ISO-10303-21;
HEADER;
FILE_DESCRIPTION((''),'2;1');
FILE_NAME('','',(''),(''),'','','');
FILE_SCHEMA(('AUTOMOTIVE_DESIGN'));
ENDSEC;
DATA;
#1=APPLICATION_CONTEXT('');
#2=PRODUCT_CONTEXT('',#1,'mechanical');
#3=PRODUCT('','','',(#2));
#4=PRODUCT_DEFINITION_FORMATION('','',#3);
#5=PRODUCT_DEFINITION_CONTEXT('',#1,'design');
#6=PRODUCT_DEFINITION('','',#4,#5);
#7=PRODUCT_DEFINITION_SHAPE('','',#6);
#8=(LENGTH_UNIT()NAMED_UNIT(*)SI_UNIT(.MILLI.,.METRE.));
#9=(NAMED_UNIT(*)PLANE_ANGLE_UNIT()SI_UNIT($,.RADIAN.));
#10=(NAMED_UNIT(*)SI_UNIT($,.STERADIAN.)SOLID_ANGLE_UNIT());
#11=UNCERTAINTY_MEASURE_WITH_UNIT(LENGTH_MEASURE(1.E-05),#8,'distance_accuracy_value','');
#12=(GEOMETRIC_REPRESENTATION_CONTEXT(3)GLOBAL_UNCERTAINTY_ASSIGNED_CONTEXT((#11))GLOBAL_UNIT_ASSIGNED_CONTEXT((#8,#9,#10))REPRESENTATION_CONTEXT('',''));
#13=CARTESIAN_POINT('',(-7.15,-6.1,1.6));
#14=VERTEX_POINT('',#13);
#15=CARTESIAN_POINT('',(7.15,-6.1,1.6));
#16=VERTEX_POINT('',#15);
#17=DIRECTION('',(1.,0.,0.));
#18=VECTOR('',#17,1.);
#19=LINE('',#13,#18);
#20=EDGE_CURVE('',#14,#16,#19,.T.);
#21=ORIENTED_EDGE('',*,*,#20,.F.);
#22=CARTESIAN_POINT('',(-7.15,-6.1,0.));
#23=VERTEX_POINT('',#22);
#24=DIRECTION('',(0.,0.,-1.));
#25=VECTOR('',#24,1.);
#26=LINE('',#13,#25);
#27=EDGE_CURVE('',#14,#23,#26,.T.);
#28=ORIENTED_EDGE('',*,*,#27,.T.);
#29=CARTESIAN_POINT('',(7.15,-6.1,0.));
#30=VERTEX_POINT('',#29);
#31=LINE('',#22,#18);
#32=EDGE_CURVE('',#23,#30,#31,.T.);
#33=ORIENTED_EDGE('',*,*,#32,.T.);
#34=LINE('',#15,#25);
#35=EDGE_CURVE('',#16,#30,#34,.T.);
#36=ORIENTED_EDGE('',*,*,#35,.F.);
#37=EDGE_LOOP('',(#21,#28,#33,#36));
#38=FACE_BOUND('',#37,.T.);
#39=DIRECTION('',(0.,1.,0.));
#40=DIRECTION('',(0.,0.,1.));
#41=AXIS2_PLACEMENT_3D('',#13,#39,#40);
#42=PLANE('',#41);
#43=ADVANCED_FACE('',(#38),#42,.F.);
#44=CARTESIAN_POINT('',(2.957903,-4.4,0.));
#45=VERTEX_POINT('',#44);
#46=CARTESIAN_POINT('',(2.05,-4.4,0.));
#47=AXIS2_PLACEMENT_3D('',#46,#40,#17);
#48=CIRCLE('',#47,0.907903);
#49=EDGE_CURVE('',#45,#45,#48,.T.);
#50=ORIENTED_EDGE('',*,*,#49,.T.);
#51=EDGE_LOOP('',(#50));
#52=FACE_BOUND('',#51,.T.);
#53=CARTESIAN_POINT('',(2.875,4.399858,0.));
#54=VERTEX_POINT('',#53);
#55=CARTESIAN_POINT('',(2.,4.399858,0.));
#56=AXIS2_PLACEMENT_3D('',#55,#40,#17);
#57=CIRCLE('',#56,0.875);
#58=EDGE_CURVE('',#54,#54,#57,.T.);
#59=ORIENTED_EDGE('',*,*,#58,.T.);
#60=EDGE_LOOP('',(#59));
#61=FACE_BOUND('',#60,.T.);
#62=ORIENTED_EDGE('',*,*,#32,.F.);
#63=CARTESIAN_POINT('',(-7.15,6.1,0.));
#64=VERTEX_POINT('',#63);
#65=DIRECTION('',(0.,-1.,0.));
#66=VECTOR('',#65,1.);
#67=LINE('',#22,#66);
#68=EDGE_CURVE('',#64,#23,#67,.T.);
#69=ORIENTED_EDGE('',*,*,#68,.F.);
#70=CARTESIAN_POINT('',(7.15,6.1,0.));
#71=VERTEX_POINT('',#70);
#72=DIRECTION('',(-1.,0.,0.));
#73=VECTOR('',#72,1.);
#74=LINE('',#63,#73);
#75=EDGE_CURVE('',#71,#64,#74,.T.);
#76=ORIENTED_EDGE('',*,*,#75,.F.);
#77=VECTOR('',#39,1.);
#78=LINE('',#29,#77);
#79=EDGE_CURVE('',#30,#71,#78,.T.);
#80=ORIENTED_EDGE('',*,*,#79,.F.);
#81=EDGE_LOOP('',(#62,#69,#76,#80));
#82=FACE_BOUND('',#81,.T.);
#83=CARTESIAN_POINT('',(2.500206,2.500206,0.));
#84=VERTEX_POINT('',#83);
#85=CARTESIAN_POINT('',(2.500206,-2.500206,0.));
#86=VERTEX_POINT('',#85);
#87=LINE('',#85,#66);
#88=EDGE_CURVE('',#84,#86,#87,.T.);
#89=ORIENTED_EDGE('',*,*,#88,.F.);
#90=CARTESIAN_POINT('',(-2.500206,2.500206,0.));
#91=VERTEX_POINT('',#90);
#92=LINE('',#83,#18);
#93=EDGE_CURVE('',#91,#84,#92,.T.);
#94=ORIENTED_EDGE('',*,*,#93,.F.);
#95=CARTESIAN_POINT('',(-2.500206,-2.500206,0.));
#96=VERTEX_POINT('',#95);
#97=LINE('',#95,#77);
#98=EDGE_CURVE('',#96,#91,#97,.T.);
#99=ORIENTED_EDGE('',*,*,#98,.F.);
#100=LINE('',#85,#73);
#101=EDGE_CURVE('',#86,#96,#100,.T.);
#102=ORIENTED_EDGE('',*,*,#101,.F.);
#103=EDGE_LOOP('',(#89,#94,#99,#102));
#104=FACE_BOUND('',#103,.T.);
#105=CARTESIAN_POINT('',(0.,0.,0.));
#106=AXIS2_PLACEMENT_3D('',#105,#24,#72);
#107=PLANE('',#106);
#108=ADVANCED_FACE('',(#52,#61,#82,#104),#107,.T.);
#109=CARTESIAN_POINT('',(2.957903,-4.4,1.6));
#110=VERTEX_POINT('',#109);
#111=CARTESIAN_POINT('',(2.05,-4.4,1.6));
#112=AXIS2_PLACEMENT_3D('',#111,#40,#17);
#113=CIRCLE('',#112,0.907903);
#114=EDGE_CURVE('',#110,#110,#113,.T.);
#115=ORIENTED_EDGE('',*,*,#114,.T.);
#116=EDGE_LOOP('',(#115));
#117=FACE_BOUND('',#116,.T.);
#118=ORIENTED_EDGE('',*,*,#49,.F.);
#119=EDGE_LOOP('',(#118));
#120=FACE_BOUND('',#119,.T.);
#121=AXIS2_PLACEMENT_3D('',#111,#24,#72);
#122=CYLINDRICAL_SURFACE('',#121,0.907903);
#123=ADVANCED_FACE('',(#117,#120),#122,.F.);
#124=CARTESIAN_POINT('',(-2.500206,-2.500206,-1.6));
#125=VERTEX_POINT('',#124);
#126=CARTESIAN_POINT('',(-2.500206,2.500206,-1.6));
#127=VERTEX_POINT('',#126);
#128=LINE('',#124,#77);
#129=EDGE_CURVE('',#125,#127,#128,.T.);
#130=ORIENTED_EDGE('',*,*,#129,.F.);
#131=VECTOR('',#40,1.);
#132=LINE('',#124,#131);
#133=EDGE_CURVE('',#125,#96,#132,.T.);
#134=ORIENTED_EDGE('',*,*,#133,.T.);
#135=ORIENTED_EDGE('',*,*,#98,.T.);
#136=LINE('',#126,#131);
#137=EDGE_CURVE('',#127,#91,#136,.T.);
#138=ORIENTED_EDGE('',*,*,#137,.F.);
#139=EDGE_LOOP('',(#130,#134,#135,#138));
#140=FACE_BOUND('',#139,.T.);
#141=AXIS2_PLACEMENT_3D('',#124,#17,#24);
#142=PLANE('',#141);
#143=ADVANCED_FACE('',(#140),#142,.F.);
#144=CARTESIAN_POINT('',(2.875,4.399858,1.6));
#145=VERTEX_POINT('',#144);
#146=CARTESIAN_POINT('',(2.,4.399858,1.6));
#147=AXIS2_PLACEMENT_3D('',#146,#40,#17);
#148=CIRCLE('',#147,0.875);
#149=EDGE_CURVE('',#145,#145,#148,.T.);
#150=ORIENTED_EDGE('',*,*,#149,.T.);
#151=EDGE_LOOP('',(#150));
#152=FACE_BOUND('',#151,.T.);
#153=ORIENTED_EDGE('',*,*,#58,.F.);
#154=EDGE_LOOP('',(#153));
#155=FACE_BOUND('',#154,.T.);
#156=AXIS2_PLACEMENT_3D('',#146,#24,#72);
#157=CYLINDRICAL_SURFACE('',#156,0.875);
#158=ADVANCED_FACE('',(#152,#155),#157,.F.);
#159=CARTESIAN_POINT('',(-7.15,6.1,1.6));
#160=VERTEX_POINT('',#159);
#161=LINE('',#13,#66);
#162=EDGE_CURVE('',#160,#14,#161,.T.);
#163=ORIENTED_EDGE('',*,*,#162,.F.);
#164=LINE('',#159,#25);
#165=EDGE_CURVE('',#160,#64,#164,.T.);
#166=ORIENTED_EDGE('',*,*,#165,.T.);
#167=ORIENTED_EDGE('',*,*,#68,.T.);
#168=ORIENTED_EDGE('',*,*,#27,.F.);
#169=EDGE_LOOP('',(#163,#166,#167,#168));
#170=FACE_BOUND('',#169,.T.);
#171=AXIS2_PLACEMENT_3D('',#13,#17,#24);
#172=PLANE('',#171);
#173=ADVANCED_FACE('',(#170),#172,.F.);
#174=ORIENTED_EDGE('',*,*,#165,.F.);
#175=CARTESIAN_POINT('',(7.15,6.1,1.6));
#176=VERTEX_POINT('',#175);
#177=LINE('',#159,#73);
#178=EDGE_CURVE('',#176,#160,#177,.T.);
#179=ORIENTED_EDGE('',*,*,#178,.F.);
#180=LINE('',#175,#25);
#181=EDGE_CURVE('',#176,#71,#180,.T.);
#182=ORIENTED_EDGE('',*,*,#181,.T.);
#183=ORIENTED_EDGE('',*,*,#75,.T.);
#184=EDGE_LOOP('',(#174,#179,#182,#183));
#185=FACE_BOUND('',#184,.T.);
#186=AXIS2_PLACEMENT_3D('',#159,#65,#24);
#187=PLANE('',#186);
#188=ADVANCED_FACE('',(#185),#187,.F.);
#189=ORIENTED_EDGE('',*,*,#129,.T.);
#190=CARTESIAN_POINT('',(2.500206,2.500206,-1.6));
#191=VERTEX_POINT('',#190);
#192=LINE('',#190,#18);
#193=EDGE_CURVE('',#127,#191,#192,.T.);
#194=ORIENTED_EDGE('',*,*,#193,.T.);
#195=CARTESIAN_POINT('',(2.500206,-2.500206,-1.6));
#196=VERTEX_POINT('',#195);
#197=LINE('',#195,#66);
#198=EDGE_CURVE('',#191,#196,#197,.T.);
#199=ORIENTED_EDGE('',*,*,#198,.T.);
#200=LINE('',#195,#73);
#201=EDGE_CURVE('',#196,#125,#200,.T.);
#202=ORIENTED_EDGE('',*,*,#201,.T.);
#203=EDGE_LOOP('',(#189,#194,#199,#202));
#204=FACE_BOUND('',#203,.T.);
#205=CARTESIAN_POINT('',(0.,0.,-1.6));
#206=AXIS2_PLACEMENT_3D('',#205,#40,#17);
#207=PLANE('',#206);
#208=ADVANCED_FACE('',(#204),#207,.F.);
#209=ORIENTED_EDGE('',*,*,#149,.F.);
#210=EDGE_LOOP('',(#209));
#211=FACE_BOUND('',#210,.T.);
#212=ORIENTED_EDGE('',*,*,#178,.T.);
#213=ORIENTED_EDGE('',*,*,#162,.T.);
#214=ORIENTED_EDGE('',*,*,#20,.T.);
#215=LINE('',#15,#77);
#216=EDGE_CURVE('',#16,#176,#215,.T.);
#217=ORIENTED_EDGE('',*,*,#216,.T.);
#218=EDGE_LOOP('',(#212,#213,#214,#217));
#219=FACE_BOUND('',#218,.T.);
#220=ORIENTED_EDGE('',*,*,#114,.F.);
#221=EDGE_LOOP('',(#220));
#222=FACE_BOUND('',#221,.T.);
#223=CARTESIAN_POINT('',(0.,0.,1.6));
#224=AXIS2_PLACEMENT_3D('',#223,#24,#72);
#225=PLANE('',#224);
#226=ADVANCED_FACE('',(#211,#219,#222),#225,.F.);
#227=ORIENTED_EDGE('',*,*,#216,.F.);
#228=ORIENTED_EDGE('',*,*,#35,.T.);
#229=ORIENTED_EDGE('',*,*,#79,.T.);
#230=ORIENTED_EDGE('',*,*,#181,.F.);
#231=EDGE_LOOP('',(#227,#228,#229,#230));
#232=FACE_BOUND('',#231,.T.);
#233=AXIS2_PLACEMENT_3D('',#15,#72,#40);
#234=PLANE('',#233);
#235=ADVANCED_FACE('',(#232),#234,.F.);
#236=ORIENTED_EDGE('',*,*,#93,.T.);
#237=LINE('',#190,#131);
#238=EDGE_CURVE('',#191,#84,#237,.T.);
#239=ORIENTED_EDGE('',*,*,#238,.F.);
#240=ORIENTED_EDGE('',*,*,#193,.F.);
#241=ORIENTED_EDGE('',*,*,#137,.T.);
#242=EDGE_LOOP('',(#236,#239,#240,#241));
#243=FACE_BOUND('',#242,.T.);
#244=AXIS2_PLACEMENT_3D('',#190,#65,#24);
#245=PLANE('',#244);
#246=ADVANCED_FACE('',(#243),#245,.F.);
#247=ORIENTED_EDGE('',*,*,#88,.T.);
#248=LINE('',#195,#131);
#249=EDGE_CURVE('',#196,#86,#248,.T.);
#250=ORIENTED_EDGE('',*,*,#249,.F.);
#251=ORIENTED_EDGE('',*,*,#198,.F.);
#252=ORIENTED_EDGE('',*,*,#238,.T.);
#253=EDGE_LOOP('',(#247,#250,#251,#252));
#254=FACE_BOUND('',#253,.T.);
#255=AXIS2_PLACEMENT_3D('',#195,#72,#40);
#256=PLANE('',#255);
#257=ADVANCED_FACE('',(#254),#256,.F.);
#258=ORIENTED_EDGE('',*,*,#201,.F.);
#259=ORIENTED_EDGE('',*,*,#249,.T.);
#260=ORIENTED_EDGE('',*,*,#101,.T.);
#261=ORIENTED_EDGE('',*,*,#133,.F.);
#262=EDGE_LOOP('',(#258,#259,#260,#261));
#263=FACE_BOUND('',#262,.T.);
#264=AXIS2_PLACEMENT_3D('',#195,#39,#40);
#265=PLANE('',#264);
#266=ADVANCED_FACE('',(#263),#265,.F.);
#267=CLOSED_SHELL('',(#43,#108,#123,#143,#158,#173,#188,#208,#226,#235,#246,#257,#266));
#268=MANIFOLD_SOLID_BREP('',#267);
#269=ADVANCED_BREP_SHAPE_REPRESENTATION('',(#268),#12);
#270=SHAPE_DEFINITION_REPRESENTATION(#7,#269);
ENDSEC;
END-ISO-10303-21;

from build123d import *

# Parameters (mm, degrees)
SKETCH_1_W      = 14.3
SKETCH_1_H      = 12.2
SKETCH_1_R      = 0.875
SKETCH_1_R_2    = 0.907902719
EXTRUDE_1_DEPTH = 1.6
SKETCH_2_W      = 5.000412462
SKETCH_2_H      = 5.000412462
EXTRUDE_2_DEPTH = 1.6


with BuildPart() as part:
    # 草图1 → 凸台-拉伸1 (new body)
    with BuildSketch(Plane.XY):
        Rectangle(SKETCH_1_W, SKETCH_1_H)
        with Locations((2, 4.399857953)):
            Circle(SKETCH_1_R, mode=Mode.SUBTRACT)
        with Locations((2.05, -4.4)):
            Circle(SKETCH_1_R_2, mode=Mode.SUBTRACT)
    extrude(amount=EXTRUDE_1_DEPTH)

    # 草图2 → 凸台-拉伸2 (add)
    with BuildSketch(Plane(origin=(0, 0, 0), x_dir=(-1, 0, 0), z_dir=(0, 0, -1))):
        Rectangle(SKETCH_2_W, SKETCH_2_H)
    extrude(amount=EXTRUDE_2_DEPTH)


solid = part.part
